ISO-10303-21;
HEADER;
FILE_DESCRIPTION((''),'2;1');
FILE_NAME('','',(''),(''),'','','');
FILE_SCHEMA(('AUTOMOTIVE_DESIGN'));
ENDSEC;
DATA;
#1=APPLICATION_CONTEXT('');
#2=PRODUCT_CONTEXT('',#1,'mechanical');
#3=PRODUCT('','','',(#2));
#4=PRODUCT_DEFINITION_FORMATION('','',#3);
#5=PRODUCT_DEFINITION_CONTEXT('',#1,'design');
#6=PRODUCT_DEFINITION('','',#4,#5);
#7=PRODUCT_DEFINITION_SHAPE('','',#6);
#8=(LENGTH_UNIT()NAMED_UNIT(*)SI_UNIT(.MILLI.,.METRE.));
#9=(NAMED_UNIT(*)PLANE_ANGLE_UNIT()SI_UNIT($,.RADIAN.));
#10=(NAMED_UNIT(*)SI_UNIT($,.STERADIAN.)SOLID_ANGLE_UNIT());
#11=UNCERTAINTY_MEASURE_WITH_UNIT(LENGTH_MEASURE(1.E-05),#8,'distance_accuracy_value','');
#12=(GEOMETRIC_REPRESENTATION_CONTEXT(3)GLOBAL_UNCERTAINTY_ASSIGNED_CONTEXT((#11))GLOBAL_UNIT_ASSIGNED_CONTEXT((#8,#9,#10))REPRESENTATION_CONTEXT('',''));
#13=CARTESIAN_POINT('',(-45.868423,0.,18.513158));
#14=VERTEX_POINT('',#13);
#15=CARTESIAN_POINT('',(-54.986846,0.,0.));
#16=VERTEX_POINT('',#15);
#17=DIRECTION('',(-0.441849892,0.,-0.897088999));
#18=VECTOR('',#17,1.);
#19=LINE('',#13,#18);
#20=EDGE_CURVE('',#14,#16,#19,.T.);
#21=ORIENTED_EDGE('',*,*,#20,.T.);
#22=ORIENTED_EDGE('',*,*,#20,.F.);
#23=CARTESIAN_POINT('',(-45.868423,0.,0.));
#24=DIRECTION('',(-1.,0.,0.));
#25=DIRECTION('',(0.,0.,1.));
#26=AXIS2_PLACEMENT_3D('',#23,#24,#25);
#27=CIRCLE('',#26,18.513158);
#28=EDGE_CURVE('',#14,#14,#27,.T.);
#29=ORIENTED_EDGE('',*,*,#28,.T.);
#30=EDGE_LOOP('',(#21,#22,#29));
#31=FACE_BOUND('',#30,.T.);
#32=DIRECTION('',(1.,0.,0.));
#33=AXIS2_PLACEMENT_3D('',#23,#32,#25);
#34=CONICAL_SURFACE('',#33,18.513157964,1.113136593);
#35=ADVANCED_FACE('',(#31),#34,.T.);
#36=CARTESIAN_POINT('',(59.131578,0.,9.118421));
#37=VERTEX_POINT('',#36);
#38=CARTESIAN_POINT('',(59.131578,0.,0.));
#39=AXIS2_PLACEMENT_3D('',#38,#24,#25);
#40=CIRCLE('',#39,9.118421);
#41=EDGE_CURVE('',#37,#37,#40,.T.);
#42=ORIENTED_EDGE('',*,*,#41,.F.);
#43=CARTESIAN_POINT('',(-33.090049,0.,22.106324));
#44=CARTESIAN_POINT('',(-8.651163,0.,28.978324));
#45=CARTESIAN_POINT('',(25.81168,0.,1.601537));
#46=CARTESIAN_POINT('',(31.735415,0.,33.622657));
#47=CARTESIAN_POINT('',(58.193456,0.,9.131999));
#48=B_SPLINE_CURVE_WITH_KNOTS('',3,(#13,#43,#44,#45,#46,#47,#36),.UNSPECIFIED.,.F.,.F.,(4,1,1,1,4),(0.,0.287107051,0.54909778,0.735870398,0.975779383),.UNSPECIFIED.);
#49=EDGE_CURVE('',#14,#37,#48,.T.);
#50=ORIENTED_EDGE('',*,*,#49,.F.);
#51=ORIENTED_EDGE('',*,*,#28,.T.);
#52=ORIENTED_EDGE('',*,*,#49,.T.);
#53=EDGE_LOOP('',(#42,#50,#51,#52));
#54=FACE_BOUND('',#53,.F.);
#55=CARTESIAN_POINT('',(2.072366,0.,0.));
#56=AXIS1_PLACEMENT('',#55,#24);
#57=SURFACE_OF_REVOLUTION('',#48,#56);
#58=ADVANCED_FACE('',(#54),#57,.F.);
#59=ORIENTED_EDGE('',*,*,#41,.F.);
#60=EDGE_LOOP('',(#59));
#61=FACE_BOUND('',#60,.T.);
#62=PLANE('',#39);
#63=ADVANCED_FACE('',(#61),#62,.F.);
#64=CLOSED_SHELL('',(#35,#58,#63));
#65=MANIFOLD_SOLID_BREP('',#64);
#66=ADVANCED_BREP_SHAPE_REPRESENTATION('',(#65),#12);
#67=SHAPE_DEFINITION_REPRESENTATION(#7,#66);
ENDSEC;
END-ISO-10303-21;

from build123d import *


with BuildPart() as f1:
    # F0 (on Front) → F1 (revolve)
    with BuildSketch(Plane.XZ):
        with BuildLine():
            add(Edge.make_bspline(
                [(-45.8684228361, 18.5131579638), (-33.0900493164, 22.106324295), (-8.6511632195, 28.9783242847), (25.8116797488, 1.6015371472), (31.7354146588, 33.6226568471), (58.1934559502, 9.1319990841), (59.131577611, 9.1184210032)],
                knots=[0, 0, 0, 0, 0.2871070515, 0.5490977797, 0.7358703976, 0.975779383, 0.975779383, 0.975779383, 0.975779383], degree=3))
            Line((-45.8684228361, 18.5131579638), (-54.9868457019, 0))
            Line((-54.9868457019, 0), (59.131577611, 0))
            Line((59.131577611, 0), (59.131577611, 9.1184210032))
        make_face()
    revolve(axis=Axis((2.0723659545, 0, 0), (-1, 0, 0)))


solid = f1.part
